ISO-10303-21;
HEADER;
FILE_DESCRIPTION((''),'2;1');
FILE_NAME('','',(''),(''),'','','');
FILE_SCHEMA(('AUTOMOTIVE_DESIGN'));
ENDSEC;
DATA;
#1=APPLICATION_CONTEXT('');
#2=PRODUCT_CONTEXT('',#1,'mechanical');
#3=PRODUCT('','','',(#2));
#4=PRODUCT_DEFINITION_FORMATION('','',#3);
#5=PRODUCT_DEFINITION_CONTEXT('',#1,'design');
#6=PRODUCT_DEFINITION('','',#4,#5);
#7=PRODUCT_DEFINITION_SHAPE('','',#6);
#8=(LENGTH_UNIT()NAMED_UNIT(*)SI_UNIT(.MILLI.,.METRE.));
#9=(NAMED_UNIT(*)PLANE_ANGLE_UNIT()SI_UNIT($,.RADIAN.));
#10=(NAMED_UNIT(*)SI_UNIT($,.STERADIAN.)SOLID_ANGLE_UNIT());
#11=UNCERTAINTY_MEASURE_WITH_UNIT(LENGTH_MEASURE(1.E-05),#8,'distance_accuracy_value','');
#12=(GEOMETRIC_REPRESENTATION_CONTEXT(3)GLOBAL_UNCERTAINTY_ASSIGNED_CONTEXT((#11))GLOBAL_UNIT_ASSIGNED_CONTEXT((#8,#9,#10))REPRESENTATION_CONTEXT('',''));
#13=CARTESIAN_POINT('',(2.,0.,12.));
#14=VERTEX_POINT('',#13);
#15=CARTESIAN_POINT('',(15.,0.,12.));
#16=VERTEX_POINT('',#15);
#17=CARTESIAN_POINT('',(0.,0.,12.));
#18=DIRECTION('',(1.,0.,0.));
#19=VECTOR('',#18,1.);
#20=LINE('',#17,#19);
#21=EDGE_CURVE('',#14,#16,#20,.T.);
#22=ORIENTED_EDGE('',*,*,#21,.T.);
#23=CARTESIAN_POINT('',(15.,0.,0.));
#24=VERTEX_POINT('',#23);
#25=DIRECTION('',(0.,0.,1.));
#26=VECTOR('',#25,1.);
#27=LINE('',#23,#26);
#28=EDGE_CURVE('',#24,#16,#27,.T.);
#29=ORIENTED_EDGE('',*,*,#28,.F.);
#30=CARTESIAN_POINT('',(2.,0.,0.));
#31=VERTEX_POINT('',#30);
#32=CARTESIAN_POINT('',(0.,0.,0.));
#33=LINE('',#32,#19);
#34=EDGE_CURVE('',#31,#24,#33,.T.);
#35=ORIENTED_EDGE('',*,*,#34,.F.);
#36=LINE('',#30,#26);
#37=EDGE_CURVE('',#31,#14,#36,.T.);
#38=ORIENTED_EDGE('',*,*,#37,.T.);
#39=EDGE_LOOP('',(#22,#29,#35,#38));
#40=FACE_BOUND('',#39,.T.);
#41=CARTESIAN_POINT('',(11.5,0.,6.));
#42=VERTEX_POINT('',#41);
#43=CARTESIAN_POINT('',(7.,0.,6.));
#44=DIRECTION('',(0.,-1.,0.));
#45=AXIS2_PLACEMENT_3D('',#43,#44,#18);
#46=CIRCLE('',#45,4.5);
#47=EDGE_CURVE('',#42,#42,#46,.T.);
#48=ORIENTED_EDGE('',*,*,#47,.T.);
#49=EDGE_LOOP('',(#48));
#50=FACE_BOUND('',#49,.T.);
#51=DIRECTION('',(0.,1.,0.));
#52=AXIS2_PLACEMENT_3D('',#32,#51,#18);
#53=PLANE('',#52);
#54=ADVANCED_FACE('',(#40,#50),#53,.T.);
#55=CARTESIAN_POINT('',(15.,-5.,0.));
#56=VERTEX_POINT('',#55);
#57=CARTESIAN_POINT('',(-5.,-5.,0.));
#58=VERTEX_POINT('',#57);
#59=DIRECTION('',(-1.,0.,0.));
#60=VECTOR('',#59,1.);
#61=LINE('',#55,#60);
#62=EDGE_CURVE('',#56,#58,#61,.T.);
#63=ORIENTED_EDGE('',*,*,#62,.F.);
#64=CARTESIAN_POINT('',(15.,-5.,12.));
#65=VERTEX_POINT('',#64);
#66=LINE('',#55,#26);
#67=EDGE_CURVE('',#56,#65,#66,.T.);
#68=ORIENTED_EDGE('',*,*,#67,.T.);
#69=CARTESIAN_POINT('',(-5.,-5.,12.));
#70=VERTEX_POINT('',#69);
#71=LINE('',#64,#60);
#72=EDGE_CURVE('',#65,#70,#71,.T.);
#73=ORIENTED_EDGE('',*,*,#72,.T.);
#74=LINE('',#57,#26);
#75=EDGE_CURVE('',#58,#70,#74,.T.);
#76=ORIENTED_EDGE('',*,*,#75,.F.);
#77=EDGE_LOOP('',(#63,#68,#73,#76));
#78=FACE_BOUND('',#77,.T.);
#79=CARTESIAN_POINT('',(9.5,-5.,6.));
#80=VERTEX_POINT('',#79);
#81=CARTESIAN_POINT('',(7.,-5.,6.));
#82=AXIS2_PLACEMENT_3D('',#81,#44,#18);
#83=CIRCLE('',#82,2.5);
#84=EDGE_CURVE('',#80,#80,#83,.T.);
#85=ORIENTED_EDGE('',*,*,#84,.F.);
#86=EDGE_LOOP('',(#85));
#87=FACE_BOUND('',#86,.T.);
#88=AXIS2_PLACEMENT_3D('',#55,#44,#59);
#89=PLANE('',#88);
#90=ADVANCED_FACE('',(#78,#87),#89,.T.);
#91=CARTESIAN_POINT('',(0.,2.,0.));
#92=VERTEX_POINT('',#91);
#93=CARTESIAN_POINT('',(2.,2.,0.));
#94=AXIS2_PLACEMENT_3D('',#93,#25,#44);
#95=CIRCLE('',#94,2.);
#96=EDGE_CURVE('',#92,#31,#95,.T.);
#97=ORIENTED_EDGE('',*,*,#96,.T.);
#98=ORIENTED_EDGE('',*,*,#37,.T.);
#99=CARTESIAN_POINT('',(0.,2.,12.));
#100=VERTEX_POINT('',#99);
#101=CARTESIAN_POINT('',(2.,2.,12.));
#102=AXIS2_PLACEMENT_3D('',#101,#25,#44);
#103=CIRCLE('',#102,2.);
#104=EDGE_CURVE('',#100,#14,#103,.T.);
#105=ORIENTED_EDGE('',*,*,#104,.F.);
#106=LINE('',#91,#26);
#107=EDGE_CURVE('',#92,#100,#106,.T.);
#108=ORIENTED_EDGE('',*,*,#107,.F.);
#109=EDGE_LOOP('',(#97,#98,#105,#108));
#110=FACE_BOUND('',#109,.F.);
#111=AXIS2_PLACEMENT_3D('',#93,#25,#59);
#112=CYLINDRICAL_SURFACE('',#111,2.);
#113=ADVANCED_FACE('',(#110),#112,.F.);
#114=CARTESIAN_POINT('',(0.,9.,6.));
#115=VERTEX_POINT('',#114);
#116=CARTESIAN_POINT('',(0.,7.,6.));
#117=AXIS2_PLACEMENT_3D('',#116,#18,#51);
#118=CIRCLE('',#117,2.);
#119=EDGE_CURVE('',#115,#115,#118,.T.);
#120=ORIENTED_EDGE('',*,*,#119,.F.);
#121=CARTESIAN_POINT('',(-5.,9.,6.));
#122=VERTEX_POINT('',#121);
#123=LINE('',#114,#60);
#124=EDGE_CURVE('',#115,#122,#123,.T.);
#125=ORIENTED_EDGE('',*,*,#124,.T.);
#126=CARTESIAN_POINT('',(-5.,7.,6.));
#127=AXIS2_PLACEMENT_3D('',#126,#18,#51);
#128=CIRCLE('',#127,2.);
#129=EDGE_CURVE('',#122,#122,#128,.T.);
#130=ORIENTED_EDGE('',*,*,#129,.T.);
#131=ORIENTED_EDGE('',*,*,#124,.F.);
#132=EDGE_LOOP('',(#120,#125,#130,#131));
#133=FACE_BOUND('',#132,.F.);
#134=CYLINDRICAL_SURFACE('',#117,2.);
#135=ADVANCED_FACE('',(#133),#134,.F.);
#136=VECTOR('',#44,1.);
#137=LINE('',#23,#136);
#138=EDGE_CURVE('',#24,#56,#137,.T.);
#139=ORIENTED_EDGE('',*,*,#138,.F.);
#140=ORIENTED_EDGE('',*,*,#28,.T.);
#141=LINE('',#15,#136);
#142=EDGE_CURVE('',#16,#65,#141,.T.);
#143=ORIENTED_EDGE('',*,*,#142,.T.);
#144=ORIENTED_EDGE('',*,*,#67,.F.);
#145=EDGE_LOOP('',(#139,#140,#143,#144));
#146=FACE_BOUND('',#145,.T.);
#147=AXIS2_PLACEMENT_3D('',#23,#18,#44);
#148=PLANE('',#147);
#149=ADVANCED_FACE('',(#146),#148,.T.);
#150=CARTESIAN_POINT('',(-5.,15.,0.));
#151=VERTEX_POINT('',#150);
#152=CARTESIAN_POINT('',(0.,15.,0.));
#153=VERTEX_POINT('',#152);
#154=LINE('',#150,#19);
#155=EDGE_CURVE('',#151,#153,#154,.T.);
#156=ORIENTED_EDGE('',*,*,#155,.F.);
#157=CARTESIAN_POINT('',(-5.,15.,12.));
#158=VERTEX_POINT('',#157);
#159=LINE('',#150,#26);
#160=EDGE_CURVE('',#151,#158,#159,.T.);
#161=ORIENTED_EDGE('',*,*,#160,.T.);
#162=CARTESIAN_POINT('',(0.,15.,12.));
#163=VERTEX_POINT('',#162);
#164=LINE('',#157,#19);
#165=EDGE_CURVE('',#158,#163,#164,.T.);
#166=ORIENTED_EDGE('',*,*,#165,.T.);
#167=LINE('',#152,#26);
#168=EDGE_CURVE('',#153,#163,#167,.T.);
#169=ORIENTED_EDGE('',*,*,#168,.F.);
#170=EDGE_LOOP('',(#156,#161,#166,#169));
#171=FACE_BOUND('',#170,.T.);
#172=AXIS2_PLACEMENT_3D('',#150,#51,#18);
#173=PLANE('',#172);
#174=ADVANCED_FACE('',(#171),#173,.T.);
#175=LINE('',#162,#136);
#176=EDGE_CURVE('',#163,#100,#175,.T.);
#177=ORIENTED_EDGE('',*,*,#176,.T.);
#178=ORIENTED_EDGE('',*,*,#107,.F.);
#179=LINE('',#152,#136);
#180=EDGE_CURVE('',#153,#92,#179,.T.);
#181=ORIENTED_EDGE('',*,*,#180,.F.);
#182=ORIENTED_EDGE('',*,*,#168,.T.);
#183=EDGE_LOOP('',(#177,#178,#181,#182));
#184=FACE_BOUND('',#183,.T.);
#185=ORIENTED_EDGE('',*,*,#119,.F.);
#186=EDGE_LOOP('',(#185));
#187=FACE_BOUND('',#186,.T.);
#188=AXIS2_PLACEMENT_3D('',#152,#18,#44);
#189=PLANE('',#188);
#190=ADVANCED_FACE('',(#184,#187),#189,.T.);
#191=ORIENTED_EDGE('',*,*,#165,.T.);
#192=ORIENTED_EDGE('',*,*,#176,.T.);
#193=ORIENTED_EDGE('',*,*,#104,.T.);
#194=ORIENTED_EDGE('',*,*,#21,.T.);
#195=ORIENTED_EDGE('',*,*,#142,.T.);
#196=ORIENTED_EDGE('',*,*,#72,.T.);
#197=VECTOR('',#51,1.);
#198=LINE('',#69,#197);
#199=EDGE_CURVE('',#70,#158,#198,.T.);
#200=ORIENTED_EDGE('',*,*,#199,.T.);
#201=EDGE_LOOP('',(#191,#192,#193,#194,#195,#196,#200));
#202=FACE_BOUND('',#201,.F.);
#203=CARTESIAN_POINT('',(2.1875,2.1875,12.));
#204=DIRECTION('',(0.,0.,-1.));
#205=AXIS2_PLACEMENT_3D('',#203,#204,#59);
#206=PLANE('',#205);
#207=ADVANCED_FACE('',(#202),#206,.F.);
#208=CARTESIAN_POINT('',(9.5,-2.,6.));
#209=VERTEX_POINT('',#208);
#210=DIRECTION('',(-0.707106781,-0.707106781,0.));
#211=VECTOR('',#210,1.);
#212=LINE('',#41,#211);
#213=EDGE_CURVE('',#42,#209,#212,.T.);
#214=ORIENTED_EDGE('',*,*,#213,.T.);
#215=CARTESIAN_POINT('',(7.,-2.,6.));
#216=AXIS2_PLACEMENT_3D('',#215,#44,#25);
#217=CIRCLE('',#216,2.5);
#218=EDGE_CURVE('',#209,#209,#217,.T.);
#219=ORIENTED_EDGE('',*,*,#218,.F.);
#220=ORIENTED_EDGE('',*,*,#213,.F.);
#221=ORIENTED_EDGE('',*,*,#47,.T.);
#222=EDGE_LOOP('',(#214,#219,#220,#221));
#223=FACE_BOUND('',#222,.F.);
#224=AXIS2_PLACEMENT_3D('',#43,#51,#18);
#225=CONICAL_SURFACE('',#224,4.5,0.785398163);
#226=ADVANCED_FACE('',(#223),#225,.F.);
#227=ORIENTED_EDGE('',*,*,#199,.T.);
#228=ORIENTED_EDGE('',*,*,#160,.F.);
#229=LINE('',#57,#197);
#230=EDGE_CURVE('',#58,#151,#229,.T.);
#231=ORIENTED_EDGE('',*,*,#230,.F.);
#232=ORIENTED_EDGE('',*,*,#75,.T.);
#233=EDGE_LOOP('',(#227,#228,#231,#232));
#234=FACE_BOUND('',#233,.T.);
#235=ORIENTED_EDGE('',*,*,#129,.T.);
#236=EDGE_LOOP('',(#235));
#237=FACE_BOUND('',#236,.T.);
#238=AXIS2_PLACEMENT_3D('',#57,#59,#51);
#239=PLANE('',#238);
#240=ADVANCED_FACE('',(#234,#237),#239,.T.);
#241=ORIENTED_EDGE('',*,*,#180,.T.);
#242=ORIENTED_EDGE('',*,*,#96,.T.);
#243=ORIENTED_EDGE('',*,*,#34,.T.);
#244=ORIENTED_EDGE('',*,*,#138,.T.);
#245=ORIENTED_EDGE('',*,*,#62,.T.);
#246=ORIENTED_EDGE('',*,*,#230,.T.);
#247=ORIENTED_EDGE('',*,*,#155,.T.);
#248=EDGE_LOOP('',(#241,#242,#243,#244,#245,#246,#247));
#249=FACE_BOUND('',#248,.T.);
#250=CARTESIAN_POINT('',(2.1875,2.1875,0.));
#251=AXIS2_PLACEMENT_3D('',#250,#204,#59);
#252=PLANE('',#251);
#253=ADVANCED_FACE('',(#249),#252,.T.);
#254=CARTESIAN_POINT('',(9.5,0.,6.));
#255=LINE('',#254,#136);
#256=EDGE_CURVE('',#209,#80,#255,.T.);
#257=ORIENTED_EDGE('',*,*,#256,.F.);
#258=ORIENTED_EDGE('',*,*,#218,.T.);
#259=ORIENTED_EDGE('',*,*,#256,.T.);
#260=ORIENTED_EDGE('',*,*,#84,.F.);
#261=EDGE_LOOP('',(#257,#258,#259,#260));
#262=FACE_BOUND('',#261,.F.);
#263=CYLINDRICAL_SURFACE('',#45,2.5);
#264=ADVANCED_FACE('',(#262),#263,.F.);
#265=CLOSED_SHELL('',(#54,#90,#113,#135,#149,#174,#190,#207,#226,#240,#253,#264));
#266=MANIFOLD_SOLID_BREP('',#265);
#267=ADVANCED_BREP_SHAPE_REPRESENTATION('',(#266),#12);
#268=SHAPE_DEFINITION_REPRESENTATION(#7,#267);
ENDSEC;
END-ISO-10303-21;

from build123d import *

# Parameters (mm, degrees)
PAD_DEPTH           = 12
SKETCH001_R         = 2
HOLE_DEPTH          = 5.001
HOLE001_D           = 5
HOLE001_DEPTH       = 25
HOLE001_CSINK_D     = 9
HOLE001_CSINK_ANGLE = 90
FILLET_R            = 2


with BuildPart() as part:
    # Sketch → Pad (new body)
    with BuildSketch(Plane.XY):
        Polygon((0, 15), (0, 0), (15, 0), (15, -5), (-5, -5), (-5, 15), align=None)
    extrude(amount=PAD_DEPTH)

    # Sketch001 (on Face1 of Pad) → Hole (cut, through all)
    with BuildSketch(Plane.YZ):
        with Locations((7, 6)):
            Circle(SKETCH001_R)
    extrude(amount=-HOLE_DEPTH, mode=Mode.SUBTRACT)

    # Hole001
    with Locations(Plane(origin=(0, 0, 0), x_dir=(-1, 0, 0), z_dir=(0, 1, 0))):
        with Locations((-7, 6)):
            CounterSinkHole(HOLE001_D / 2, HOLE001_CSINK_D / 2, depth=HOLE001_DEPTH, counter_sink_angle=HOLE001_CSINK_ANGLE)

    # Fillet
    fillet_edges = [part.edges().sort_by_distance(p)[0] for p in [
        (0, 0, 6),
    ]]
    fillet(fillet_edges, radius=FILLET_R)


solid = part.part
